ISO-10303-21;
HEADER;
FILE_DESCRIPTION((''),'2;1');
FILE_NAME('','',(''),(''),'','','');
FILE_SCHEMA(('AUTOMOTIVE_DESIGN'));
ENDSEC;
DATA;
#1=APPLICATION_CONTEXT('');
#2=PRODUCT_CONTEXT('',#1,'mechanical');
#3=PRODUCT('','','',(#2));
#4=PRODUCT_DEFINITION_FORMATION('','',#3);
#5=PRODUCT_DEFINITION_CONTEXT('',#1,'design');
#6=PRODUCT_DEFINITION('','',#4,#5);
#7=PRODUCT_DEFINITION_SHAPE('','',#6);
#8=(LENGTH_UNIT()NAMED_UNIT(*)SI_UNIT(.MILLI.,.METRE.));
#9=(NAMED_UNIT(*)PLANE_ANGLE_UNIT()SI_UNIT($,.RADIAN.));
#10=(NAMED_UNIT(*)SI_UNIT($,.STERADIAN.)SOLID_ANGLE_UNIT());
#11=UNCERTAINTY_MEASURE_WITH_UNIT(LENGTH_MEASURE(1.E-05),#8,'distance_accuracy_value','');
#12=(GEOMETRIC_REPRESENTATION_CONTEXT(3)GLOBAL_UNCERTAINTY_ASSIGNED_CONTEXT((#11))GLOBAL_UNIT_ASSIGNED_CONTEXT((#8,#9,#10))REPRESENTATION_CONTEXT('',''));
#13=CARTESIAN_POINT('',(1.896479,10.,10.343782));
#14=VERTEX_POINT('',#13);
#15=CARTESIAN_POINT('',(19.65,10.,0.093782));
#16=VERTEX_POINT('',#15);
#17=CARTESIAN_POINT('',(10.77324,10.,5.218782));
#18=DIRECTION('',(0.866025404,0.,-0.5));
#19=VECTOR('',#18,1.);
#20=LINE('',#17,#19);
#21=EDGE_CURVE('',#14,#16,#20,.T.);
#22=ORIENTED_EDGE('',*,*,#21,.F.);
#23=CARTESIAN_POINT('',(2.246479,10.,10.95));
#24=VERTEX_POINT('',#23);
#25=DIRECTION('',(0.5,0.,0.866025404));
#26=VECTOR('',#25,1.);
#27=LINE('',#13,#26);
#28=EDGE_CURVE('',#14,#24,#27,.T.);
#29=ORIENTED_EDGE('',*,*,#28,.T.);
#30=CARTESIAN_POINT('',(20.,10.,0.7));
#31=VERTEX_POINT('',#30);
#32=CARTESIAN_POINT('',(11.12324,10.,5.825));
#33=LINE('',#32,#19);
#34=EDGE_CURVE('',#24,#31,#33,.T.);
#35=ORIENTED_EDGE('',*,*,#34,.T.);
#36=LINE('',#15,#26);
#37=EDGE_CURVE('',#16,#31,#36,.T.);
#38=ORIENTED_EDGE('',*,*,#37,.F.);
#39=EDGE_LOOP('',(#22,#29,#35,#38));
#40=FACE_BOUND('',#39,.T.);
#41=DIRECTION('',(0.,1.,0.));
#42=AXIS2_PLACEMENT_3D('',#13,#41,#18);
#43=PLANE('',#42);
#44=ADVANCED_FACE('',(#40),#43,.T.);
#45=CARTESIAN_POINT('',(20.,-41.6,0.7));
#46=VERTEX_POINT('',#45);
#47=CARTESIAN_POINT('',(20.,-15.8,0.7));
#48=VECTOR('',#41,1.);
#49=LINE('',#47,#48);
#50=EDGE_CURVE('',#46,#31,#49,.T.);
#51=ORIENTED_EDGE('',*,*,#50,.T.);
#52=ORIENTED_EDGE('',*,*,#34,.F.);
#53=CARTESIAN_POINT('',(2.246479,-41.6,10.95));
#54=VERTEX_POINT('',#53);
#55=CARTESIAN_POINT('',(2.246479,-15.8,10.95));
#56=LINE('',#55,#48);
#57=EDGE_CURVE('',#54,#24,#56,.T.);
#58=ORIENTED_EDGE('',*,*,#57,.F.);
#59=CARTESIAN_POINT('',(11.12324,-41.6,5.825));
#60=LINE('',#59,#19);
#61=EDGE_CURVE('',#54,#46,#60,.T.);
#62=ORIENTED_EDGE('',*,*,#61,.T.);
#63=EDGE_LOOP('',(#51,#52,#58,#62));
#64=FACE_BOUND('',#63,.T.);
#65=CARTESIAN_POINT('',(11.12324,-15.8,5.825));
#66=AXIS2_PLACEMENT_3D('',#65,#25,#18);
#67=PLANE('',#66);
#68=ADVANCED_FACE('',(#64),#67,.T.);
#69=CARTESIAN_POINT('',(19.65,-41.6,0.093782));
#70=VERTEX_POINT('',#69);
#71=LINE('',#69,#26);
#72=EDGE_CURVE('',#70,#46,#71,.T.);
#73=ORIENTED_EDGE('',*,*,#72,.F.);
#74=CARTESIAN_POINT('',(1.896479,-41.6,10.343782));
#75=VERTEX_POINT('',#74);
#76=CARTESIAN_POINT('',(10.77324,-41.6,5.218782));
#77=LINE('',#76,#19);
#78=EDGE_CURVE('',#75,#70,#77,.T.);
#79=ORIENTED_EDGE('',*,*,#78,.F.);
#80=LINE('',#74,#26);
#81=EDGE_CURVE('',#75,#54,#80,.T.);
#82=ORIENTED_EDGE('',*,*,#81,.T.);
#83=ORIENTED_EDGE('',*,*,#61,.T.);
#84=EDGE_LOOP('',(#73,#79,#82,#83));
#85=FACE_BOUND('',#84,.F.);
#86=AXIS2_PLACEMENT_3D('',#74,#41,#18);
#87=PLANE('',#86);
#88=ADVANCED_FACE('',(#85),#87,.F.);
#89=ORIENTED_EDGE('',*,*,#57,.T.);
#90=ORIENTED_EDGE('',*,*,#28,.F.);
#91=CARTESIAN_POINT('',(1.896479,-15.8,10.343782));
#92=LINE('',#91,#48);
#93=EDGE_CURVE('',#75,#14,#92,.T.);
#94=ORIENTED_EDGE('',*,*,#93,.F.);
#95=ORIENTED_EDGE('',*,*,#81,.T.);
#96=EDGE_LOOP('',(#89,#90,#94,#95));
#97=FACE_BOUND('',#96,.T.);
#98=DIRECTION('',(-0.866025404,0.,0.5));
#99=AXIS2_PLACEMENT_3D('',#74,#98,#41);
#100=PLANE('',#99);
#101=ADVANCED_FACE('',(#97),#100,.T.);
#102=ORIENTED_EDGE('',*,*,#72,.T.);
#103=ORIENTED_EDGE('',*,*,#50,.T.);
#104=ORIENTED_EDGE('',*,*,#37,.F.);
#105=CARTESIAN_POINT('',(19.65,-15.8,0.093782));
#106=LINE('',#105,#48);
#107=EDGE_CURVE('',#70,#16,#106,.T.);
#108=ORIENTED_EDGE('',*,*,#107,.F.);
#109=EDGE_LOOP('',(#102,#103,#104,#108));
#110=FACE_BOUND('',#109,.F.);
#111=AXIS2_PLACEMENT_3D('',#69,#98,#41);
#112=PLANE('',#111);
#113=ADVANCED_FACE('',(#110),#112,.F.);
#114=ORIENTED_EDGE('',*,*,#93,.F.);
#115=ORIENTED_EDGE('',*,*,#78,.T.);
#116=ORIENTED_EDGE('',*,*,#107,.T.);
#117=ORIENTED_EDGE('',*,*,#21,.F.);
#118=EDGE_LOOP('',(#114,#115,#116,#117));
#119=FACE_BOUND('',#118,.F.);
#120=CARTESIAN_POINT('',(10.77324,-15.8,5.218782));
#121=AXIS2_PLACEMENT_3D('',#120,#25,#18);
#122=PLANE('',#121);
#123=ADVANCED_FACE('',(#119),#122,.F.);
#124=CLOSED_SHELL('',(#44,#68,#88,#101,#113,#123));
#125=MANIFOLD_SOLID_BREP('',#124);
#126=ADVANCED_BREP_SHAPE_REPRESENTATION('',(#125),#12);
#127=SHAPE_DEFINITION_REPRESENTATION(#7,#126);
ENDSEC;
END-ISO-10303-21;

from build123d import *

# Parameters (mm, degrees)
F0_W     = 20.5
F0_H     = 51.6
F1_DEPTH = 0.7
F2_ANGLE = -30


with BuildPart() as f1:
    # F0 (on Top) → F1 (new body)
    with BuildSketch(Plane.XY):
        with Locations((9.75, -15.8)):
            Rectangle(F0_W, F0_H)
    extrude(amount=F1_DEPTH)


with BuildPart() as f1_1:
    # F2: moved
    add(f1.part.rotate(Axis((20, -15.8, 0.7), (0, -1, 0)), F2_ANGLE))


solid = f1_1.part
